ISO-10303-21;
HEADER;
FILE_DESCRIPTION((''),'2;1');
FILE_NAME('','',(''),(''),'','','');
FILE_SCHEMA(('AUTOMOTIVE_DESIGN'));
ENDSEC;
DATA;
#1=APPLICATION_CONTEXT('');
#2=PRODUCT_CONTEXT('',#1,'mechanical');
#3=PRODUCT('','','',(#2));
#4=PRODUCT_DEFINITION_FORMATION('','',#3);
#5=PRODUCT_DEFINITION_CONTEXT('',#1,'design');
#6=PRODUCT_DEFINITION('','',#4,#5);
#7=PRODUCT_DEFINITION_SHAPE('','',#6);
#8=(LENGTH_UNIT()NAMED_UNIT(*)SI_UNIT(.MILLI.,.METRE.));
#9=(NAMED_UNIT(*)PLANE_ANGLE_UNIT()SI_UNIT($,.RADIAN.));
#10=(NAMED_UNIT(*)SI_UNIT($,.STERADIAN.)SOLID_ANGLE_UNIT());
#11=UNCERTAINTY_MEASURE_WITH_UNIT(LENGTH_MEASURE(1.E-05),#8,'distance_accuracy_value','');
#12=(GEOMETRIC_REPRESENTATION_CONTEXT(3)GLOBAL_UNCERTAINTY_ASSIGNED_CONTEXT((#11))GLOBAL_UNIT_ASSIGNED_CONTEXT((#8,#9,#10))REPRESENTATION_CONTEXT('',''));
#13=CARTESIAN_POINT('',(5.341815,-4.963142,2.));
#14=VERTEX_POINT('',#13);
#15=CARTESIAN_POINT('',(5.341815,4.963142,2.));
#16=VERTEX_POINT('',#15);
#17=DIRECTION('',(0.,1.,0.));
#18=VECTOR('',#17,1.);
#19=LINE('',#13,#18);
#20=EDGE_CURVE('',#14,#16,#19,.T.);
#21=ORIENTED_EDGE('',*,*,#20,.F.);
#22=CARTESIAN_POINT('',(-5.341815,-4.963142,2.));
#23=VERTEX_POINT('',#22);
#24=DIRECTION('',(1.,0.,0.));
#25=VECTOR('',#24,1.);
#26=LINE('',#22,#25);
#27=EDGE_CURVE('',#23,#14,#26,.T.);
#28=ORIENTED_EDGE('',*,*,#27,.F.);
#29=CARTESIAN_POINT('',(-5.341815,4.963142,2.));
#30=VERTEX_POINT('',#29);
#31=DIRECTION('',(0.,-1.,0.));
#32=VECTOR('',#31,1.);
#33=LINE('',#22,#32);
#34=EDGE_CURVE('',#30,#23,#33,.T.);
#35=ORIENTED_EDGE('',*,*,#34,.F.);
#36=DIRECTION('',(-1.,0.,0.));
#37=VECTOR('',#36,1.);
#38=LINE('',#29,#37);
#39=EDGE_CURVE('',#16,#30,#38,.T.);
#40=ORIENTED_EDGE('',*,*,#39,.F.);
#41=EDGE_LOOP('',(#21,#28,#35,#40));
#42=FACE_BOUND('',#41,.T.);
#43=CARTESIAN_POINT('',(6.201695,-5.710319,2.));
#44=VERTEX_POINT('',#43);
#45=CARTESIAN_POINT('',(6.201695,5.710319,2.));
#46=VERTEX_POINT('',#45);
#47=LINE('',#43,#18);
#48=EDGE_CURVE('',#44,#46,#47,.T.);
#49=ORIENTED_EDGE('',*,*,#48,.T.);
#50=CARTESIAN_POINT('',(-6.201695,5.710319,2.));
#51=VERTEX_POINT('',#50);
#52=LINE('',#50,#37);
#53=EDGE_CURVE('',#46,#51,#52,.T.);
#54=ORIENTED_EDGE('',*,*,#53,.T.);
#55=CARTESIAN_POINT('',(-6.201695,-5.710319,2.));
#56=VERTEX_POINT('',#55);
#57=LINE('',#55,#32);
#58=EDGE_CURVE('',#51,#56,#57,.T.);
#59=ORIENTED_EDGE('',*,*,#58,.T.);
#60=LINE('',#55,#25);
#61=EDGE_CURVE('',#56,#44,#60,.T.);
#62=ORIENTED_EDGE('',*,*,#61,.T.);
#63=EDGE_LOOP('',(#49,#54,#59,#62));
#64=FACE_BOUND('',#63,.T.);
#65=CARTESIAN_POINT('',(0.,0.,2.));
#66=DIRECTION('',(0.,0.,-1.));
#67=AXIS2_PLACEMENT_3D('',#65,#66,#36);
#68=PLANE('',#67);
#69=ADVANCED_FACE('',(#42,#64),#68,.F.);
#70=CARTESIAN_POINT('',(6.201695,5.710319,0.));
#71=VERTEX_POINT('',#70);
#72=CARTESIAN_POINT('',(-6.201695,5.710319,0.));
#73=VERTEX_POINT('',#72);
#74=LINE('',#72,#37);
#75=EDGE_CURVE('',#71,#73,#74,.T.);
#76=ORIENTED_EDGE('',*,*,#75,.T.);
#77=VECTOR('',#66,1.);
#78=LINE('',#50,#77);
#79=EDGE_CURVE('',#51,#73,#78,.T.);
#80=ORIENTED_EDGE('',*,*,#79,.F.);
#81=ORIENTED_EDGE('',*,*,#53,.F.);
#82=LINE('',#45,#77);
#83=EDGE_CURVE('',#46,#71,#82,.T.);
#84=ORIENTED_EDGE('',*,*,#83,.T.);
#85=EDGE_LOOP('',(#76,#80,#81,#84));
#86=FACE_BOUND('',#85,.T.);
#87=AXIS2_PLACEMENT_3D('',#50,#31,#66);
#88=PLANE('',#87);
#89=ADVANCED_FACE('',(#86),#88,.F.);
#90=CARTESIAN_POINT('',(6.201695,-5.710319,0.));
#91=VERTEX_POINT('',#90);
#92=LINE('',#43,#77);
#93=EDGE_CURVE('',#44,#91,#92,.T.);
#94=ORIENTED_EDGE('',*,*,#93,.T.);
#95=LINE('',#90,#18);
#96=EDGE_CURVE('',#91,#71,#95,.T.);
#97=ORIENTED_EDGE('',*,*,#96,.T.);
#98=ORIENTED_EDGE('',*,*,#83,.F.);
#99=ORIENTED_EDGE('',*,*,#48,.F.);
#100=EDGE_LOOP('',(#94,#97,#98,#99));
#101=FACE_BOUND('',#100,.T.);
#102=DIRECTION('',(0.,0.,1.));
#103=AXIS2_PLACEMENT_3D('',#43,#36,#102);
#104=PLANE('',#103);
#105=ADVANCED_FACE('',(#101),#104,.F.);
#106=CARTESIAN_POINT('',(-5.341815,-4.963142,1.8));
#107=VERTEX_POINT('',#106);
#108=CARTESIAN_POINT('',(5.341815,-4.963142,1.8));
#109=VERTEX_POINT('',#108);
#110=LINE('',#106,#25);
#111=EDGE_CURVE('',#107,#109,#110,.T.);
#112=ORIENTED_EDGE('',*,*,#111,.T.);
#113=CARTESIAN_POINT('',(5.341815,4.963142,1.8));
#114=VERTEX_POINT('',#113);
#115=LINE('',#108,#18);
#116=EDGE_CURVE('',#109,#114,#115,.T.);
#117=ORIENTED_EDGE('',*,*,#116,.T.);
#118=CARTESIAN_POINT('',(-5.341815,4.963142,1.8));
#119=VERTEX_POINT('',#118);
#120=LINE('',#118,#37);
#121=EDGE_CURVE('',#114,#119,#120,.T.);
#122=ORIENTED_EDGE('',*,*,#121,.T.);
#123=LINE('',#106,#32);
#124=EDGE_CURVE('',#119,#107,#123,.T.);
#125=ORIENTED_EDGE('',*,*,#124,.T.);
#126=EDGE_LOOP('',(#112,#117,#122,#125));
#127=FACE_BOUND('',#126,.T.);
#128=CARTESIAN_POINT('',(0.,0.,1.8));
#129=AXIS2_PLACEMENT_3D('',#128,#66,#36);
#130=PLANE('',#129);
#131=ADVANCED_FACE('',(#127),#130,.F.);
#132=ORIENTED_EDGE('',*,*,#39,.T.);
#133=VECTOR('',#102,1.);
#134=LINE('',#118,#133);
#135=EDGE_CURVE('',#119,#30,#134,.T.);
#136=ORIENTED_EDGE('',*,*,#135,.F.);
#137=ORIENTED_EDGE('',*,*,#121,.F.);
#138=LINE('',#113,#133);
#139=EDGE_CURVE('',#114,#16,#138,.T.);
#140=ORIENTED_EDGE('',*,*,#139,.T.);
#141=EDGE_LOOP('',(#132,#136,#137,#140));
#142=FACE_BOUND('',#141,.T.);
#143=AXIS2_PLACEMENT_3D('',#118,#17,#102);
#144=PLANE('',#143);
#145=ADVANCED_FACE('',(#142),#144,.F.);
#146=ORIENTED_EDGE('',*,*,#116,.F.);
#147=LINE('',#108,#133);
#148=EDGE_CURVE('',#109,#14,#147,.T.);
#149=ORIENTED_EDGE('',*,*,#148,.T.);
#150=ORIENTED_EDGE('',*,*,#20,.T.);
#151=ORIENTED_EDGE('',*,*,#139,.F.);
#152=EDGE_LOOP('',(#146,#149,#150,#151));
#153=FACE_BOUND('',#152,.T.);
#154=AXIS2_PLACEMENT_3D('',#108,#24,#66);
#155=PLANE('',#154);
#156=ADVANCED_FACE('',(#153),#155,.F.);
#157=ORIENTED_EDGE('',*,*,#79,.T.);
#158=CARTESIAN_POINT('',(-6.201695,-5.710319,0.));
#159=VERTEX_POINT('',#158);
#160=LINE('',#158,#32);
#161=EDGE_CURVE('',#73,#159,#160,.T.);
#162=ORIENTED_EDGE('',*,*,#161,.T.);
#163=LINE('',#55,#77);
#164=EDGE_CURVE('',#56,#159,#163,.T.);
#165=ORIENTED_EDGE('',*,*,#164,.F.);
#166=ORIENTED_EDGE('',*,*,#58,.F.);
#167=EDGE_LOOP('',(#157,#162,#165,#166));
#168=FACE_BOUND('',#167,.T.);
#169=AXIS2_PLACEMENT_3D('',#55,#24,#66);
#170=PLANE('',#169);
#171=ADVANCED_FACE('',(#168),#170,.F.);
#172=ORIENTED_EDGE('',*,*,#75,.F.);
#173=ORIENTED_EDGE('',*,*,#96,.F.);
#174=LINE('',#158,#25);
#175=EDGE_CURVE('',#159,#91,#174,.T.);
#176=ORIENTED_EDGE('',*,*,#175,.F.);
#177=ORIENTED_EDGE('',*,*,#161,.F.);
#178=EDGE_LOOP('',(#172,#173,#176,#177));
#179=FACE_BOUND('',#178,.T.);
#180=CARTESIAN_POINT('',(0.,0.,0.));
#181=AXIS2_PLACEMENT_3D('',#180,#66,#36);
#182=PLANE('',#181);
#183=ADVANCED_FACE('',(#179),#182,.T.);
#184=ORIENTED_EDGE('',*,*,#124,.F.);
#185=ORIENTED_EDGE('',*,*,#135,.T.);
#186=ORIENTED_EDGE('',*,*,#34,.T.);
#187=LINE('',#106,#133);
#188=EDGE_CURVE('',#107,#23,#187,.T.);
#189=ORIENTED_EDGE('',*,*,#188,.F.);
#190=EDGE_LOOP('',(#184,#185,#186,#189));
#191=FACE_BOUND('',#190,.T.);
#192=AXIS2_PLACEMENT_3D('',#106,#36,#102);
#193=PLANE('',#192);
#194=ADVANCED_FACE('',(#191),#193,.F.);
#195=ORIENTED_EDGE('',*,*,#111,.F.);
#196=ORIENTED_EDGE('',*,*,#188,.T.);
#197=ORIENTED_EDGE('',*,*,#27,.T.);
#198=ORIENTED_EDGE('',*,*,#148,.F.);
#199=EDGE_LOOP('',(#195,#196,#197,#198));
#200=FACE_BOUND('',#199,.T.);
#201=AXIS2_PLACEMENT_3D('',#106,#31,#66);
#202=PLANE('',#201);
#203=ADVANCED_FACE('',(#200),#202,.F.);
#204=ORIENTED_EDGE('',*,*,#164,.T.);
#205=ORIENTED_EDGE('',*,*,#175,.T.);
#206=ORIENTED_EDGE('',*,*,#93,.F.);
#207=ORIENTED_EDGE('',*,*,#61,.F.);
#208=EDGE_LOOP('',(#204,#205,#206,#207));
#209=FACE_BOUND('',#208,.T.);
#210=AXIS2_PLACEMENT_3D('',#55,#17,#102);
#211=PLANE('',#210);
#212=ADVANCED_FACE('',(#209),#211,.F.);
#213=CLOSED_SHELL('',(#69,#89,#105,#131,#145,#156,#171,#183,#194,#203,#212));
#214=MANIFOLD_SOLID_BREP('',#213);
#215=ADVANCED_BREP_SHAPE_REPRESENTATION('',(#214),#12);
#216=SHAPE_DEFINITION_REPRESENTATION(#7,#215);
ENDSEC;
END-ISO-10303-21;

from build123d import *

# Parameters (mm, degrees)
SKETCH_1_W          = 12.403389008
SKETCH_1_H          = 11.420638786
EXTRUDE_1_DEPTH     = 2
SKETCH_2_W          = 10.683629374
SKETCH_2_H          = 9.926283246
CUT_EXTRUDE_1_DEPTH = 0.2


with BuildPart() as part:
    # 草图1 → 凸台-拉伸1 (new body)
    with BuildSketch(Plane.XY):
        Rectangle(SKETCH_1_W, SKETCH_1_H)
    extrude(amount=EXTRUDE_1_DEPTH)

    # 草图2 → 切除-拉伸1 (cut)
    with BuildSketch(Plane.XY.offset(2)):
        Rectangle(SKETCH_2_W, SKETCH_2_H)
    extrude(amount=-CUT_EXTRUDE_1_DEPTH, mode=Mode.SUBTRACT)


solid = part.part
